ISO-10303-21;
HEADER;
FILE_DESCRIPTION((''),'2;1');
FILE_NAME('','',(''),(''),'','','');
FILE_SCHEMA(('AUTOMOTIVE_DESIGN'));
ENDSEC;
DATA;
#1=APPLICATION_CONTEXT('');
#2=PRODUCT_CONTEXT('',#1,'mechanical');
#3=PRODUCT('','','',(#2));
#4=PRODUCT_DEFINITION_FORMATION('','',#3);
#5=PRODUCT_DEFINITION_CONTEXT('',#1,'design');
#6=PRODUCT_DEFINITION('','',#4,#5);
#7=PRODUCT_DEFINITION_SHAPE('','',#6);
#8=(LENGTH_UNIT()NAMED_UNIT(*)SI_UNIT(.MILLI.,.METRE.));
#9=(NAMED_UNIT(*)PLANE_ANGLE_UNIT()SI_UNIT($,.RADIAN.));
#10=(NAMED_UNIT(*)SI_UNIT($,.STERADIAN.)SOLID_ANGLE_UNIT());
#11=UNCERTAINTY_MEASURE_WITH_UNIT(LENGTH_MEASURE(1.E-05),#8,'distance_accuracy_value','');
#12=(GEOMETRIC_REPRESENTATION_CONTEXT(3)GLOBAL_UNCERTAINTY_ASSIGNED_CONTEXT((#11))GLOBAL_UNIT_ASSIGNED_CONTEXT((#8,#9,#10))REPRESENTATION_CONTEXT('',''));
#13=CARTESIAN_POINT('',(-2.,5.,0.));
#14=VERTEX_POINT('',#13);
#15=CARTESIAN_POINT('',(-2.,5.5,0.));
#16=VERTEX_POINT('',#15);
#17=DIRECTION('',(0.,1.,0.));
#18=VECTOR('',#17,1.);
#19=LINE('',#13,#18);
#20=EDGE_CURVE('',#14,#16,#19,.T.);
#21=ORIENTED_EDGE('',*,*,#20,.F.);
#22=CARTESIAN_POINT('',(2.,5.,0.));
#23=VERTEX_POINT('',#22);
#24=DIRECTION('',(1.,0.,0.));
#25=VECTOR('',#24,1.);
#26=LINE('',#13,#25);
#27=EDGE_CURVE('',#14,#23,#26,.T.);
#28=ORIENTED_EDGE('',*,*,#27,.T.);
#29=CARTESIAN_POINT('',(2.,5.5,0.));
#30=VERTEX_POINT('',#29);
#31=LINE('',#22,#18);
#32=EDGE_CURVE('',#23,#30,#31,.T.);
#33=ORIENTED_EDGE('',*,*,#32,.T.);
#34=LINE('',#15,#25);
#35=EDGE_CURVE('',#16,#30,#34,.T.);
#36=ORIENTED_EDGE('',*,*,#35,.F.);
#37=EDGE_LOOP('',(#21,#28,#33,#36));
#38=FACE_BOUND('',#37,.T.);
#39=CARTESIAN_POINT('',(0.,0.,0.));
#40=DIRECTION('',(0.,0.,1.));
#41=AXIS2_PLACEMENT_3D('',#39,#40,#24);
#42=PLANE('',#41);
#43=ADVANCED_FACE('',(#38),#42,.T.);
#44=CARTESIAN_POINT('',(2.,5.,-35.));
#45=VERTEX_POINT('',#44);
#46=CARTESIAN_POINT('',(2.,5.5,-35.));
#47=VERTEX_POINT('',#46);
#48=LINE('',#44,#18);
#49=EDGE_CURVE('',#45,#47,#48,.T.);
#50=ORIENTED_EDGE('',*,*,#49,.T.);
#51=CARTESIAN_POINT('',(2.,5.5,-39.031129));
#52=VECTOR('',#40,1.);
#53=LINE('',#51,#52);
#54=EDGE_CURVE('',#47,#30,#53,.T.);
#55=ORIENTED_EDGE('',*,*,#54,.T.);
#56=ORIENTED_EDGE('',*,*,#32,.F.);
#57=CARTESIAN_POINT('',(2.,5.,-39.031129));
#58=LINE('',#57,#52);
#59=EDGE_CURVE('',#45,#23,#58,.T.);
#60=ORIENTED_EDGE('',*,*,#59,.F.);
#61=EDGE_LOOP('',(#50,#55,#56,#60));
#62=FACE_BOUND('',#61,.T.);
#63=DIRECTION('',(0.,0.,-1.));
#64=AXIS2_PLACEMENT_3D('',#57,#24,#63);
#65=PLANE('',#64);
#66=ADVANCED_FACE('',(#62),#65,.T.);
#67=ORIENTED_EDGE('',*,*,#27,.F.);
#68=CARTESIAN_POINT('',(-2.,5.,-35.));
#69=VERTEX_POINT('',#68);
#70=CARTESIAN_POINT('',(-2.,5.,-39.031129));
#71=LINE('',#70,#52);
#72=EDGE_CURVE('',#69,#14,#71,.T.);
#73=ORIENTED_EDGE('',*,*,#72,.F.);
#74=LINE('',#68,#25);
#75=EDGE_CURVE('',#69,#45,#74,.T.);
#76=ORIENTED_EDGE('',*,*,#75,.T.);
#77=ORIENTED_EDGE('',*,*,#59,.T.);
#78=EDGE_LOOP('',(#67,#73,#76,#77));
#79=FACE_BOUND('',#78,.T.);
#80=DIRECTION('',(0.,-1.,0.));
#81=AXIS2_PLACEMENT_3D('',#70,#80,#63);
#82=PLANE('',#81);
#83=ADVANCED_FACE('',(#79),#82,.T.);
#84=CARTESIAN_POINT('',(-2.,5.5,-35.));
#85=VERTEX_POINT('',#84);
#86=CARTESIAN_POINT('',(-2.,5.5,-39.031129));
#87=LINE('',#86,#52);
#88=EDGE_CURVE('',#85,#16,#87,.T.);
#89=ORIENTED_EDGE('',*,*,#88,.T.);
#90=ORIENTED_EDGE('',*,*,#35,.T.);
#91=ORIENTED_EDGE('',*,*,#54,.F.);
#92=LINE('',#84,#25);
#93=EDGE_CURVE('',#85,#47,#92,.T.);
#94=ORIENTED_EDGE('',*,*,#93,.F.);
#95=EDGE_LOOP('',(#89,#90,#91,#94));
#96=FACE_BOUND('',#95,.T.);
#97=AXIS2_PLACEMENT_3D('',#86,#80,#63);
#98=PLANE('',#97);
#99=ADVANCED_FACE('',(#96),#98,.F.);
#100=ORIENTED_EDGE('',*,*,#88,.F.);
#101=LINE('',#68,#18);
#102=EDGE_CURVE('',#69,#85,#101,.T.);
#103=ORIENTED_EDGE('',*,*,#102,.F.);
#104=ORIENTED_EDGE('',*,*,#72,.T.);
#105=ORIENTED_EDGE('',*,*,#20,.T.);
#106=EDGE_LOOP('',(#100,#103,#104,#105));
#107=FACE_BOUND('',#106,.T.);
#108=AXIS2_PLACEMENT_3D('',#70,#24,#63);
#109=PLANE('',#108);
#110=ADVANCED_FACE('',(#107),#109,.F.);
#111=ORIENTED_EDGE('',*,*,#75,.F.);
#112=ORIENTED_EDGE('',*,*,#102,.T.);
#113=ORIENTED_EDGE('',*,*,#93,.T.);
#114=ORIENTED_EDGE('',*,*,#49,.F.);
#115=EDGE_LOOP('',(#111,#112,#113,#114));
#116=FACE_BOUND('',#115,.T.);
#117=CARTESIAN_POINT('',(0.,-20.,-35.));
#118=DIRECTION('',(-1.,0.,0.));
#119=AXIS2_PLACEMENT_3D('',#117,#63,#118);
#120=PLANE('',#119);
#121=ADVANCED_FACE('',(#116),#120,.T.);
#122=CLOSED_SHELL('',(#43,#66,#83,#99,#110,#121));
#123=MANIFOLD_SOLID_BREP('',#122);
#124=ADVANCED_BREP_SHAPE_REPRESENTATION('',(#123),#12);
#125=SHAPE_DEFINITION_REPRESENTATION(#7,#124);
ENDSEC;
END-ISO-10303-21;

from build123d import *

# Parameters (mm, degrees)
SKETCH1_W           = 4
SKETCH1_H           = 0.5
BOSS_EXTRUDE1_DEPTH = 35


with BuildPart() as part:
    # Sketch1 → Boss-Extrude1 (new body)
    with BuildSketch(Plane.XY):
        with Locations((0, 5.25)):
            Rectangle(SKETCH1_W, SKETCH1_H)
    extrude(amount=-BOSS_EXTRUDE1_DEPTH)


solid = part.part
